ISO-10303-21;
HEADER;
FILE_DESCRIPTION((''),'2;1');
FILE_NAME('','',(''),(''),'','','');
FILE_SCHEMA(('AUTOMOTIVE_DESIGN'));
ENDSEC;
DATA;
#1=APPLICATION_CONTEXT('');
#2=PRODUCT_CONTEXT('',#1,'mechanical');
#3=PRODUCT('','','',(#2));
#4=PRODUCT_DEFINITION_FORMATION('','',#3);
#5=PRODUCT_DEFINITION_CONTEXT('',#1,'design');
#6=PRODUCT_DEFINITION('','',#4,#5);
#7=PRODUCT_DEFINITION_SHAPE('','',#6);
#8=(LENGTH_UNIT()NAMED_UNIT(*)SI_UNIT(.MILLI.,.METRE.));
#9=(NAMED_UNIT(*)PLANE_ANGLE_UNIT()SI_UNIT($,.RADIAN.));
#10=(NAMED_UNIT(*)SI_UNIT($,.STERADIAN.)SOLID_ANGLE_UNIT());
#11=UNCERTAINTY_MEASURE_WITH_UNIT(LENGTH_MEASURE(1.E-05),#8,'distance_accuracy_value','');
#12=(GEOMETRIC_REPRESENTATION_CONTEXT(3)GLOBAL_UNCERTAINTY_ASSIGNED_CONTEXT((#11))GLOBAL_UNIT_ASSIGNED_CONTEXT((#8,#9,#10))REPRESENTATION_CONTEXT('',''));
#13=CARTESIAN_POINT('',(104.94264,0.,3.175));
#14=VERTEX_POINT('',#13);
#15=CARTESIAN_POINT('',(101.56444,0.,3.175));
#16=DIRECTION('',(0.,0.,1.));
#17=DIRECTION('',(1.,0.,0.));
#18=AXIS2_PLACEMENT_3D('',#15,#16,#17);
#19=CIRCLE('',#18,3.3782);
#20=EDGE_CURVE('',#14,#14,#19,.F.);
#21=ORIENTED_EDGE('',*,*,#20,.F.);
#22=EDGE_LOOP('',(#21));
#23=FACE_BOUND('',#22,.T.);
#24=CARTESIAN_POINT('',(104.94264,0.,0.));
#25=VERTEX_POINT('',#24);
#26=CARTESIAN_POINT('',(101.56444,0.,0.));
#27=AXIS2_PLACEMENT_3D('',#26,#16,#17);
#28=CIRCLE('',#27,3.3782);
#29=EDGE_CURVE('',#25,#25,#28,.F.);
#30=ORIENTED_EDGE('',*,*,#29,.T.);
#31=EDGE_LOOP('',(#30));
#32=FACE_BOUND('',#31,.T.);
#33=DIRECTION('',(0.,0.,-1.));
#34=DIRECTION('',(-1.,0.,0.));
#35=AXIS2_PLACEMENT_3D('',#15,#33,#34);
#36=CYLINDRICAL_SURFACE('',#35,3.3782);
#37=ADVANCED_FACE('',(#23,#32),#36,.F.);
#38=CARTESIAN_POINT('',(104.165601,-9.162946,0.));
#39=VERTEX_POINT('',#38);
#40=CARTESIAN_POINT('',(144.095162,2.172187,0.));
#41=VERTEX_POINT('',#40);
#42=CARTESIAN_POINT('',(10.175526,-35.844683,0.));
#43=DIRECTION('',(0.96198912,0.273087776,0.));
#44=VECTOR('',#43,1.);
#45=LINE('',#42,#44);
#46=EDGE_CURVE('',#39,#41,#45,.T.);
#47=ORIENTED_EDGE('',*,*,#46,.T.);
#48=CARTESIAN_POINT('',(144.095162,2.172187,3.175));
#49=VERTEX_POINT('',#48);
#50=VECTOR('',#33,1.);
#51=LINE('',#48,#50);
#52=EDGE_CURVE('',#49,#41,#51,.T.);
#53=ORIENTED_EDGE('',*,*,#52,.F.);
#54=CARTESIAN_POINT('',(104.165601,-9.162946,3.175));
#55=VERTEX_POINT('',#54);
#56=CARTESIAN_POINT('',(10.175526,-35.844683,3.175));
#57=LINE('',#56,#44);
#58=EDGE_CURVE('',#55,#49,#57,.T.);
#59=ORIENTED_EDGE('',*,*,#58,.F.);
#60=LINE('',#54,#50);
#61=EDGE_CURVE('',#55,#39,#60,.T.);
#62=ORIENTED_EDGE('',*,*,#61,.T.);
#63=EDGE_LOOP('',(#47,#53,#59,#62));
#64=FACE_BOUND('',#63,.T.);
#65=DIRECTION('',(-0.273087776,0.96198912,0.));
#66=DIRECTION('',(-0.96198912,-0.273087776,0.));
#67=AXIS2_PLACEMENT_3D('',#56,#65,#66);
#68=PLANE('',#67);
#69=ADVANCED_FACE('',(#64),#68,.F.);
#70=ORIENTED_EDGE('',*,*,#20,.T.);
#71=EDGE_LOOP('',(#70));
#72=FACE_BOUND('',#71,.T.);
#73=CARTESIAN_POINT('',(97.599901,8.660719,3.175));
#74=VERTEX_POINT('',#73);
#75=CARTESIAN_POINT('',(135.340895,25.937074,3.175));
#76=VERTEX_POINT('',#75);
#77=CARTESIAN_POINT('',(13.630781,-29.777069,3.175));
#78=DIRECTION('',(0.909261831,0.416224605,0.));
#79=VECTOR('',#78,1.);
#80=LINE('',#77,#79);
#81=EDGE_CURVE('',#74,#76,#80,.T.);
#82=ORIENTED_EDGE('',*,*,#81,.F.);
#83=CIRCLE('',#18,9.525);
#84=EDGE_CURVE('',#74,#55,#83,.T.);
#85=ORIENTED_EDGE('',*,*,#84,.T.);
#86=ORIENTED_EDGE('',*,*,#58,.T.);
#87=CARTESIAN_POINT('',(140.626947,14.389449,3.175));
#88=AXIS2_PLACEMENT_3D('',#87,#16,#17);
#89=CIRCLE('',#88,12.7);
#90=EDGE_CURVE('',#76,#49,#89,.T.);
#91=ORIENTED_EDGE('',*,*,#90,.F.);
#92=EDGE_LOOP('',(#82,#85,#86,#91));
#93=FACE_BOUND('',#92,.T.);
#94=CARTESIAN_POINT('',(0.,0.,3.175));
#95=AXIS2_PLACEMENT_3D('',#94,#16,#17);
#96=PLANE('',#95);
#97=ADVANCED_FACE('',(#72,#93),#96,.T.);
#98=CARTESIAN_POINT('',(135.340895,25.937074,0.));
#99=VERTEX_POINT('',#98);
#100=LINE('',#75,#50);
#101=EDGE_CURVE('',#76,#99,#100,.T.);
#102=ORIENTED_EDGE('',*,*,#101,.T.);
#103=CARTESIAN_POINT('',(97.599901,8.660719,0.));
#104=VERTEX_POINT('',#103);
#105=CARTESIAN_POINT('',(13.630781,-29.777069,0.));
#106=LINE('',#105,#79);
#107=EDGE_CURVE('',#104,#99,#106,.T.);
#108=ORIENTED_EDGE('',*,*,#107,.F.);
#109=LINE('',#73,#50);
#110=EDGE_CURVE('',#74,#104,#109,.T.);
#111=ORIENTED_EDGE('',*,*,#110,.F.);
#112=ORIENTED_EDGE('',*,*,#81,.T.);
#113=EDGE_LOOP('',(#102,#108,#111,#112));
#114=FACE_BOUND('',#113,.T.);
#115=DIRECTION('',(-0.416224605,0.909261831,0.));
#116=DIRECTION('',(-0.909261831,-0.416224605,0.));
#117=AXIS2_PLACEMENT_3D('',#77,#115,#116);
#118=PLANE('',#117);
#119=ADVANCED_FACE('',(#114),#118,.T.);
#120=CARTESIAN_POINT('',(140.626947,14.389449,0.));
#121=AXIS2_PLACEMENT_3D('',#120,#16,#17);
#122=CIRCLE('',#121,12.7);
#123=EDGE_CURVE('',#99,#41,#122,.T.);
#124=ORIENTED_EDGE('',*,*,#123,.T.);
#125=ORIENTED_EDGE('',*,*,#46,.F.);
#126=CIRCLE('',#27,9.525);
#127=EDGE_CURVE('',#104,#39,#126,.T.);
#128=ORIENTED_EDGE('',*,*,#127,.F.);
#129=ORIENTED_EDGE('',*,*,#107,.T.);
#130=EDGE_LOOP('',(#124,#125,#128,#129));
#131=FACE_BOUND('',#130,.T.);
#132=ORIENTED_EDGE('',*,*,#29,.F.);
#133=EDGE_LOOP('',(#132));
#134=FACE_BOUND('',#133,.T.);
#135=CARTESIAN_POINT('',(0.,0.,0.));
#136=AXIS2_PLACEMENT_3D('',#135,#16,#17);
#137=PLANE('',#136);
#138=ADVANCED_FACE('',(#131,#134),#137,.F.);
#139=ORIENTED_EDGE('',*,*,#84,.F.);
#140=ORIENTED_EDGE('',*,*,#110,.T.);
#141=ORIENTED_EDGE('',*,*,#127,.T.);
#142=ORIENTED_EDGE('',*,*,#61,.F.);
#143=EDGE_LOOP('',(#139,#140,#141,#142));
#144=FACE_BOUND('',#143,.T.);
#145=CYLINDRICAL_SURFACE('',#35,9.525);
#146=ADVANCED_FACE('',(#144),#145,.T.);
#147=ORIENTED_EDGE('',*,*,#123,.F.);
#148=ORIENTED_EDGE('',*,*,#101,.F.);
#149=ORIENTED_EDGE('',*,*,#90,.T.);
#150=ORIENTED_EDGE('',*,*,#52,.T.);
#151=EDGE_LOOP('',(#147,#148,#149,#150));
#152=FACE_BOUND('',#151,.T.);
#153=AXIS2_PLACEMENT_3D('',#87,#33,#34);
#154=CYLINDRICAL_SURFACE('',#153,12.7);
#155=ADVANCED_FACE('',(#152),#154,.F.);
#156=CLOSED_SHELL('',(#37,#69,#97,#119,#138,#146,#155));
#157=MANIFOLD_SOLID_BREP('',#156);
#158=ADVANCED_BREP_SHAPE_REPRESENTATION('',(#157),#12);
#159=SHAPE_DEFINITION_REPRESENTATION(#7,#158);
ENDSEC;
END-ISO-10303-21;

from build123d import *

# Parameters (mm, degrees)
SKETCH2_R           = 3.3782
BOSS_EXTRUDE1_DEPTH = 3.175


with BuildPart() as part:
    # Sketch2 → Boss-Extrude1 (new body)
    with BuildSketch(Plane.XY):
        with BuildLine():
            ThreePointArc((97.599900636, 8.660718944), (92.626573288, -3.292440377), (104.165601068, -9.162946366))
            Line((104.165601068, -9.162946366), (144.095161779, 2.172186968))
            ThreePointArc((144.095161779, 2.172186968), (128.709791406, 9.999528287), (135.340894537, 25.937074048))
            Line((135.340894537, 25.937074048), (97.599900636, 8.660718944))
        make_face()
        with Locations((101.56444, 0)):
            Circle(SKETCH2_R, mode=Mode.SUBTRACT)
    extrude(amount=BOSS_EXTRUDE1_DEPTH)


solid = part.part
